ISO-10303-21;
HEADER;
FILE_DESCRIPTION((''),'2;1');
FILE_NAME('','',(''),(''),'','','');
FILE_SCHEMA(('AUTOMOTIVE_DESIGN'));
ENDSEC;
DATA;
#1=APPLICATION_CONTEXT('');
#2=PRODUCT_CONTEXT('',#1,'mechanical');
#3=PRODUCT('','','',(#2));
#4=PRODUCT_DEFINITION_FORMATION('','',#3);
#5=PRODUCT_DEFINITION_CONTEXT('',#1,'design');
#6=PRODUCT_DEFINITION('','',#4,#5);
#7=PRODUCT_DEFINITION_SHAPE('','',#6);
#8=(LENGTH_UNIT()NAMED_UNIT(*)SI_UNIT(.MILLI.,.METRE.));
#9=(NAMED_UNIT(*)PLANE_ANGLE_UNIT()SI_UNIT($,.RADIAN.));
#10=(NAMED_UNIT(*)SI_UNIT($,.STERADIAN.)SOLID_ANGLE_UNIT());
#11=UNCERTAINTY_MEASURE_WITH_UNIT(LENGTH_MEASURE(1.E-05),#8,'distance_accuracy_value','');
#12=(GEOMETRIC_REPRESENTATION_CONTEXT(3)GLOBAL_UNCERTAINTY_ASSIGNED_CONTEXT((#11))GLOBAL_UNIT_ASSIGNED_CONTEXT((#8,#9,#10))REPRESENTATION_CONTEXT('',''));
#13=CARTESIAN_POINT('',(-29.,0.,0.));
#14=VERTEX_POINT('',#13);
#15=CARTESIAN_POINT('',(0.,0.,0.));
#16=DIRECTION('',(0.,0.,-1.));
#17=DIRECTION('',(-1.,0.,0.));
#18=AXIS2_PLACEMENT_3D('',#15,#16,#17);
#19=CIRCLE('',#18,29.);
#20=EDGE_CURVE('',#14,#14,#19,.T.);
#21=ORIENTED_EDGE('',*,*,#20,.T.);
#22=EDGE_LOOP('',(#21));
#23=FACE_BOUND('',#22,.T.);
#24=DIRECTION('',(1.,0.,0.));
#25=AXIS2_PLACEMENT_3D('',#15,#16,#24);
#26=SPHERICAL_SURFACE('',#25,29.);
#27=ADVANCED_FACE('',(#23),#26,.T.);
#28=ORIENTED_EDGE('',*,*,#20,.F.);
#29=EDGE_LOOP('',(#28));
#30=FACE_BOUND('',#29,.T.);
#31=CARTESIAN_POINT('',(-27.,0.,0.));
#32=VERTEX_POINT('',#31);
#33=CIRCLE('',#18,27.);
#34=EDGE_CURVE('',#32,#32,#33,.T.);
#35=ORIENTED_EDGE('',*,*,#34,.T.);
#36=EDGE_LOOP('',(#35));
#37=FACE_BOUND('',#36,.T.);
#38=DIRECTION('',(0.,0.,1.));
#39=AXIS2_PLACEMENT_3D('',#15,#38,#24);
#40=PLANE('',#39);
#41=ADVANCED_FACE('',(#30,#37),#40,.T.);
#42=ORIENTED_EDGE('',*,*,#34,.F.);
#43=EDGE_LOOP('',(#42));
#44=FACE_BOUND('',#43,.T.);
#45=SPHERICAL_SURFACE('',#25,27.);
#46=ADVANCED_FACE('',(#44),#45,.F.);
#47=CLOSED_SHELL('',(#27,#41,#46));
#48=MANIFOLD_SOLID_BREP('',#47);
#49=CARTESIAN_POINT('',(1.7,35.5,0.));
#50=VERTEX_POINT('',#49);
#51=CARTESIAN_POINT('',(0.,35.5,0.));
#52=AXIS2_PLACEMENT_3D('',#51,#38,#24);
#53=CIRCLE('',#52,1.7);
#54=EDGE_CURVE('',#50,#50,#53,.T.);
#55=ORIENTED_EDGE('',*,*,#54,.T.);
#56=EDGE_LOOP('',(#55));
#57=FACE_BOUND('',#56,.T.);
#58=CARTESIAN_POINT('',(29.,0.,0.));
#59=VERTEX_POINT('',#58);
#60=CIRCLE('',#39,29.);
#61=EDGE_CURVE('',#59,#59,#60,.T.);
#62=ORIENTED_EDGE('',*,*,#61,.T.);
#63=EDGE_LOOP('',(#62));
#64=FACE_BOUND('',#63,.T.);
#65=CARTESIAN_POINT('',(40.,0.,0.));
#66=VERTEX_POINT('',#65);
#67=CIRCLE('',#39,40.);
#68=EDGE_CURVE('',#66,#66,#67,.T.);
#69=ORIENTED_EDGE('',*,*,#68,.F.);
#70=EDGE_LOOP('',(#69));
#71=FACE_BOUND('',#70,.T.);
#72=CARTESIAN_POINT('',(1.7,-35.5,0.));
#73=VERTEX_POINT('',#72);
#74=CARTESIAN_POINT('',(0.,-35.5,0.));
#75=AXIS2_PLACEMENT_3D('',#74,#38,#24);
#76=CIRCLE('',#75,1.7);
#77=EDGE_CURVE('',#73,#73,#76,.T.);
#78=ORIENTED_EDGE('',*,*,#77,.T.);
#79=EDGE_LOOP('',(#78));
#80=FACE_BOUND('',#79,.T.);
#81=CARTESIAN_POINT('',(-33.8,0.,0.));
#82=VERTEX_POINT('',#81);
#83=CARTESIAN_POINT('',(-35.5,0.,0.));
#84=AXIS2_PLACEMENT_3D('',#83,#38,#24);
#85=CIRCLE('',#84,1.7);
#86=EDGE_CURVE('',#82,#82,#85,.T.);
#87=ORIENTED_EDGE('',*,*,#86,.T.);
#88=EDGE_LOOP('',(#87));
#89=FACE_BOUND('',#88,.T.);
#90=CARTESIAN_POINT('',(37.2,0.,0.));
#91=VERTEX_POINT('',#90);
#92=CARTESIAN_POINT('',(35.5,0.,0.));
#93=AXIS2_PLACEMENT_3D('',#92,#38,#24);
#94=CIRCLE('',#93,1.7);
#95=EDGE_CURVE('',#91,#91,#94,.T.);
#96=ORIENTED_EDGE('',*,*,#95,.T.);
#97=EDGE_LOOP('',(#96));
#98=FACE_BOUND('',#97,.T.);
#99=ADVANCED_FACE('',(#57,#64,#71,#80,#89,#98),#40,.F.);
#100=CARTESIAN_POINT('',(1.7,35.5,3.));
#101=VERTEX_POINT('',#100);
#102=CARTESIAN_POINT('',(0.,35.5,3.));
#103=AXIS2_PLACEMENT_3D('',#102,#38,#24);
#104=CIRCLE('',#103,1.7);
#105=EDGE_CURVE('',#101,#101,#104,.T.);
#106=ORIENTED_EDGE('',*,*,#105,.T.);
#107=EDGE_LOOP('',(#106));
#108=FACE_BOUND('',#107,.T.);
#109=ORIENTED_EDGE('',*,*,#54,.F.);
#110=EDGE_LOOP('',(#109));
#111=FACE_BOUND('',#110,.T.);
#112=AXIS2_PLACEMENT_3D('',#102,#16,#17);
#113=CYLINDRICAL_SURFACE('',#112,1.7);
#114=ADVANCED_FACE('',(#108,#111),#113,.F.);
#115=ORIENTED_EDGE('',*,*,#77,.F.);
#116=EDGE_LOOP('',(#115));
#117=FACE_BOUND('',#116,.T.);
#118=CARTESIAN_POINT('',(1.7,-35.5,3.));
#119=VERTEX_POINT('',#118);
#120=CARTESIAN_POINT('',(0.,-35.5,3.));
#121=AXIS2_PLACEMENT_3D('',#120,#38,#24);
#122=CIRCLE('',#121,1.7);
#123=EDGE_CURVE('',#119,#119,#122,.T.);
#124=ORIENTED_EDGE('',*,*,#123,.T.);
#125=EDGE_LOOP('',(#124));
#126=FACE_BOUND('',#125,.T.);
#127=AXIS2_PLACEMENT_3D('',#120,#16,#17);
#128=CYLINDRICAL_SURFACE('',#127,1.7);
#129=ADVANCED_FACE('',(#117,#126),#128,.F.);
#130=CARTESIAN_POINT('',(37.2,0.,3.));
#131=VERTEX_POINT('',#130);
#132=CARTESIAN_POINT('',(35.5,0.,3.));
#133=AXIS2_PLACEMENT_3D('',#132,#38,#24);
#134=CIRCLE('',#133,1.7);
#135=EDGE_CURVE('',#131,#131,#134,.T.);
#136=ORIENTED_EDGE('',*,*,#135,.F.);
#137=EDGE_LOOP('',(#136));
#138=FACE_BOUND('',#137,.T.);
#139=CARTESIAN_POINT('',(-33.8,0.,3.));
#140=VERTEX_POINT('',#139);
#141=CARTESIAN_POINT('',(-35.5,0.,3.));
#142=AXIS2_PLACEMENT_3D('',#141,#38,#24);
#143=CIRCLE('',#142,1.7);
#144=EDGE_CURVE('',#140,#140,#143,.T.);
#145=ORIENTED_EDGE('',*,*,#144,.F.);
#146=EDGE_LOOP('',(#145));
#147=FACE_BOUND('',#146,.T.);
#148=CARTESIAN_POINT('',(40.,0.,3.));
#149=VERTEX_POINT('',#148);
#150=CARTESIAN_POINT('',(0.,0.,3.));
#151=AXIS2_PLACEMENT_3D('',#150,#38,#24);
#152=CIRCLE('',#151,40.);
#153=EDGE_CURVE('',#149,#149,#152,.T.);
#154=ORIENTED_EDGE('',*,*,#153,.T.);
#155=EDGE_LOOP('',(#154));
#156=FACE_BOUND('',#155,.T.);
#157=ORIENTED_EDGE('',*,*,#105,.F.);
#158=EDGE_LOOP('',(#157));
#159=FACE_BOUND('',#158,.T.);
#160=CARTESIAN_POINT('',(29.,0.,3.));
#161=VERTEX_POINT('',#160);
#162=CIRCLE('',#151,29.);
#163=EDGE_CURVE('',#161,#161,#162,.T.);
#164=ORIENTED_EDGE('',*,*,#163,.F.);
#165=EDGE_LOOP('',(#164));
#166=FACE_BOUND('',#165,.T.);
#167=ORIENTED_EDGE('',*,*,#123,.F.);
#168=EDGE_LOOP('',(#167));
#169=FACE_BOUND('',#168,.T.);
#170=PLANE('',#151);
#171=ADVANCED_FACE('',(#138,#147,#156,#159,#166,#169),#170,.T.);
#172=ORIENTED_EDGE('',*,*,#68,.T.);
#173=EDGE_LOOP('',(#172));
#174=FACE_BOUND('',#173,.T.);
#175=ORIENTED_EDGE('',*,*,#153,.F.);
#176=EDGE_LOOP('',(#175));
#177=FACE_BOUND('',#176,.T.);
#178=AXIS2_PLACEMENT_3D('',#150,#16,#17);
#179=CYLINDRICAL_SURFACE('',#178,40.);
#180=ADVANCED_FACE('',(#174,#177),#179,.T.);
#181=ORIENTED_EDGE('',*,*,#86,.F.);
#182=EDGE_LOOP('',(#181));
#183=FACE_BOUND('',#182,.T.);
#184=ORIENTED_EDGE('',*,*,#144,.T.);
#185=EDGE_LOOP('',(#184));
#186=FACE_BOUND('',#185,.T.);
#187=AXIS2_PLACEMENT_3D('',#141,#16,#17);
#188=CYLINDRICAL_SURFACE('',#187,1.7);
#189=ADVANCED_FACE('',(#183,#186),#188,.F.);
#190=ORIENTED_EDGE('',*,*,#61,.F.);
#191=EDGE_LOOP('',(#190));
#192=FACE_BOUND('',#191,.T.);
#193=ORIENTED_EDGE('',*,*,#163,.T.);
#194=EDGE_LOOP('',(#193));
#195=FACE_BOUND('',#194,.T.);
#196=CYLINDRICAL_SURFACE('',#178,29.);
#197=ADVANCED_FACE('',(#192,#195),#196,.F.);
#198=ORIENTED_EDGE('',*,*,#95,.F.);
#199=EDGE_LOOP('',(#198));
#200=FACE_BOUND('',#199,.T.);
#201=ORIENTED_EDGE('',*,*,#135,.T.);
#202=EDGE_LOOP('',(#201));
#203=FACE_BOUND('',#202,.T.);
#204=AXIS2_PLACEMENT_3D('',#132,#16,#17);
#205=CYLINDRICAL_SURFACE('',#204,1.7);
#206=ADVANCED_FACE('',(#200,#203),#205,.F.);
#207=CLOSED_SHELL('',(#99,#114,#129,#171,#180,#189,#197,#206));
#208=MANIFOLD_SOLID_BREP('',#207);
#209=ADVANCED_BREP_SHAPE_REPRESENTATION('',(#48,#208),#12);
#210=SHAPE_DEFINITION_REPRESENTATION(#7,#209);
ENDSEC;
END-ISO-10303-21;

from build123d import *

# Parameters (mm, degrees)
SKETCH_1_R      = 40
SKETCH_1_R_2    = 1.7
SKETCH_1_R_3    = 29
EXTRUDE_1_DEPTH = 3


with BuildPart() as part:
    # 草图1 → 凸台-拉伸1 (new body)
    with BuildSketch(Plane.XY):
        Circle(SKETCH_1_R)
        with Locations((0, 35.5)):
            Circle(SKETCH_1_R_2, mode=Mode.SUBTRACT)
        with Locations((35.5, 0)):
            Circle(SKETCH_1_R_2, mode=Mode.SUBTRACT)
        with Locations((0, -35.5)):
            Circle(SKETCH_1_R_2, mode=Mode.SUBTRACT)
        with Locations((-35.5, 0)):
            Circle(SKETCH_1_R_2, mode=Mode.SUBTRACT)
        Circle(SKETCH_1_R_3, mode=Mode.SUBTRACT)
    extrude(amount=EXTRUDE_1_DEPTH)


with BuildPart() as body_2:
    # 草图2 → 旋转1 (revolve)
    with BuildSketch(Plane(origin=(0, 0, 0), x_dir=(1, 0, 0), z_dir=(0, 1, 0))):
        with BuildLine():
            Line((27, 0), (29, 0))
            ThreePointArc((29, 0), (20.506096654, 20.506096654), (0, 29))
            Line((0, 29), (0, 27))
            ThreePointArc((0, 27), (19.091883092, 19.091883092), (27, 0))
        make_face()
    revolve(axis=Axis((0, 0, -29), (0, 0, 1)))


solid = Compound([part.part, body_2.part])
